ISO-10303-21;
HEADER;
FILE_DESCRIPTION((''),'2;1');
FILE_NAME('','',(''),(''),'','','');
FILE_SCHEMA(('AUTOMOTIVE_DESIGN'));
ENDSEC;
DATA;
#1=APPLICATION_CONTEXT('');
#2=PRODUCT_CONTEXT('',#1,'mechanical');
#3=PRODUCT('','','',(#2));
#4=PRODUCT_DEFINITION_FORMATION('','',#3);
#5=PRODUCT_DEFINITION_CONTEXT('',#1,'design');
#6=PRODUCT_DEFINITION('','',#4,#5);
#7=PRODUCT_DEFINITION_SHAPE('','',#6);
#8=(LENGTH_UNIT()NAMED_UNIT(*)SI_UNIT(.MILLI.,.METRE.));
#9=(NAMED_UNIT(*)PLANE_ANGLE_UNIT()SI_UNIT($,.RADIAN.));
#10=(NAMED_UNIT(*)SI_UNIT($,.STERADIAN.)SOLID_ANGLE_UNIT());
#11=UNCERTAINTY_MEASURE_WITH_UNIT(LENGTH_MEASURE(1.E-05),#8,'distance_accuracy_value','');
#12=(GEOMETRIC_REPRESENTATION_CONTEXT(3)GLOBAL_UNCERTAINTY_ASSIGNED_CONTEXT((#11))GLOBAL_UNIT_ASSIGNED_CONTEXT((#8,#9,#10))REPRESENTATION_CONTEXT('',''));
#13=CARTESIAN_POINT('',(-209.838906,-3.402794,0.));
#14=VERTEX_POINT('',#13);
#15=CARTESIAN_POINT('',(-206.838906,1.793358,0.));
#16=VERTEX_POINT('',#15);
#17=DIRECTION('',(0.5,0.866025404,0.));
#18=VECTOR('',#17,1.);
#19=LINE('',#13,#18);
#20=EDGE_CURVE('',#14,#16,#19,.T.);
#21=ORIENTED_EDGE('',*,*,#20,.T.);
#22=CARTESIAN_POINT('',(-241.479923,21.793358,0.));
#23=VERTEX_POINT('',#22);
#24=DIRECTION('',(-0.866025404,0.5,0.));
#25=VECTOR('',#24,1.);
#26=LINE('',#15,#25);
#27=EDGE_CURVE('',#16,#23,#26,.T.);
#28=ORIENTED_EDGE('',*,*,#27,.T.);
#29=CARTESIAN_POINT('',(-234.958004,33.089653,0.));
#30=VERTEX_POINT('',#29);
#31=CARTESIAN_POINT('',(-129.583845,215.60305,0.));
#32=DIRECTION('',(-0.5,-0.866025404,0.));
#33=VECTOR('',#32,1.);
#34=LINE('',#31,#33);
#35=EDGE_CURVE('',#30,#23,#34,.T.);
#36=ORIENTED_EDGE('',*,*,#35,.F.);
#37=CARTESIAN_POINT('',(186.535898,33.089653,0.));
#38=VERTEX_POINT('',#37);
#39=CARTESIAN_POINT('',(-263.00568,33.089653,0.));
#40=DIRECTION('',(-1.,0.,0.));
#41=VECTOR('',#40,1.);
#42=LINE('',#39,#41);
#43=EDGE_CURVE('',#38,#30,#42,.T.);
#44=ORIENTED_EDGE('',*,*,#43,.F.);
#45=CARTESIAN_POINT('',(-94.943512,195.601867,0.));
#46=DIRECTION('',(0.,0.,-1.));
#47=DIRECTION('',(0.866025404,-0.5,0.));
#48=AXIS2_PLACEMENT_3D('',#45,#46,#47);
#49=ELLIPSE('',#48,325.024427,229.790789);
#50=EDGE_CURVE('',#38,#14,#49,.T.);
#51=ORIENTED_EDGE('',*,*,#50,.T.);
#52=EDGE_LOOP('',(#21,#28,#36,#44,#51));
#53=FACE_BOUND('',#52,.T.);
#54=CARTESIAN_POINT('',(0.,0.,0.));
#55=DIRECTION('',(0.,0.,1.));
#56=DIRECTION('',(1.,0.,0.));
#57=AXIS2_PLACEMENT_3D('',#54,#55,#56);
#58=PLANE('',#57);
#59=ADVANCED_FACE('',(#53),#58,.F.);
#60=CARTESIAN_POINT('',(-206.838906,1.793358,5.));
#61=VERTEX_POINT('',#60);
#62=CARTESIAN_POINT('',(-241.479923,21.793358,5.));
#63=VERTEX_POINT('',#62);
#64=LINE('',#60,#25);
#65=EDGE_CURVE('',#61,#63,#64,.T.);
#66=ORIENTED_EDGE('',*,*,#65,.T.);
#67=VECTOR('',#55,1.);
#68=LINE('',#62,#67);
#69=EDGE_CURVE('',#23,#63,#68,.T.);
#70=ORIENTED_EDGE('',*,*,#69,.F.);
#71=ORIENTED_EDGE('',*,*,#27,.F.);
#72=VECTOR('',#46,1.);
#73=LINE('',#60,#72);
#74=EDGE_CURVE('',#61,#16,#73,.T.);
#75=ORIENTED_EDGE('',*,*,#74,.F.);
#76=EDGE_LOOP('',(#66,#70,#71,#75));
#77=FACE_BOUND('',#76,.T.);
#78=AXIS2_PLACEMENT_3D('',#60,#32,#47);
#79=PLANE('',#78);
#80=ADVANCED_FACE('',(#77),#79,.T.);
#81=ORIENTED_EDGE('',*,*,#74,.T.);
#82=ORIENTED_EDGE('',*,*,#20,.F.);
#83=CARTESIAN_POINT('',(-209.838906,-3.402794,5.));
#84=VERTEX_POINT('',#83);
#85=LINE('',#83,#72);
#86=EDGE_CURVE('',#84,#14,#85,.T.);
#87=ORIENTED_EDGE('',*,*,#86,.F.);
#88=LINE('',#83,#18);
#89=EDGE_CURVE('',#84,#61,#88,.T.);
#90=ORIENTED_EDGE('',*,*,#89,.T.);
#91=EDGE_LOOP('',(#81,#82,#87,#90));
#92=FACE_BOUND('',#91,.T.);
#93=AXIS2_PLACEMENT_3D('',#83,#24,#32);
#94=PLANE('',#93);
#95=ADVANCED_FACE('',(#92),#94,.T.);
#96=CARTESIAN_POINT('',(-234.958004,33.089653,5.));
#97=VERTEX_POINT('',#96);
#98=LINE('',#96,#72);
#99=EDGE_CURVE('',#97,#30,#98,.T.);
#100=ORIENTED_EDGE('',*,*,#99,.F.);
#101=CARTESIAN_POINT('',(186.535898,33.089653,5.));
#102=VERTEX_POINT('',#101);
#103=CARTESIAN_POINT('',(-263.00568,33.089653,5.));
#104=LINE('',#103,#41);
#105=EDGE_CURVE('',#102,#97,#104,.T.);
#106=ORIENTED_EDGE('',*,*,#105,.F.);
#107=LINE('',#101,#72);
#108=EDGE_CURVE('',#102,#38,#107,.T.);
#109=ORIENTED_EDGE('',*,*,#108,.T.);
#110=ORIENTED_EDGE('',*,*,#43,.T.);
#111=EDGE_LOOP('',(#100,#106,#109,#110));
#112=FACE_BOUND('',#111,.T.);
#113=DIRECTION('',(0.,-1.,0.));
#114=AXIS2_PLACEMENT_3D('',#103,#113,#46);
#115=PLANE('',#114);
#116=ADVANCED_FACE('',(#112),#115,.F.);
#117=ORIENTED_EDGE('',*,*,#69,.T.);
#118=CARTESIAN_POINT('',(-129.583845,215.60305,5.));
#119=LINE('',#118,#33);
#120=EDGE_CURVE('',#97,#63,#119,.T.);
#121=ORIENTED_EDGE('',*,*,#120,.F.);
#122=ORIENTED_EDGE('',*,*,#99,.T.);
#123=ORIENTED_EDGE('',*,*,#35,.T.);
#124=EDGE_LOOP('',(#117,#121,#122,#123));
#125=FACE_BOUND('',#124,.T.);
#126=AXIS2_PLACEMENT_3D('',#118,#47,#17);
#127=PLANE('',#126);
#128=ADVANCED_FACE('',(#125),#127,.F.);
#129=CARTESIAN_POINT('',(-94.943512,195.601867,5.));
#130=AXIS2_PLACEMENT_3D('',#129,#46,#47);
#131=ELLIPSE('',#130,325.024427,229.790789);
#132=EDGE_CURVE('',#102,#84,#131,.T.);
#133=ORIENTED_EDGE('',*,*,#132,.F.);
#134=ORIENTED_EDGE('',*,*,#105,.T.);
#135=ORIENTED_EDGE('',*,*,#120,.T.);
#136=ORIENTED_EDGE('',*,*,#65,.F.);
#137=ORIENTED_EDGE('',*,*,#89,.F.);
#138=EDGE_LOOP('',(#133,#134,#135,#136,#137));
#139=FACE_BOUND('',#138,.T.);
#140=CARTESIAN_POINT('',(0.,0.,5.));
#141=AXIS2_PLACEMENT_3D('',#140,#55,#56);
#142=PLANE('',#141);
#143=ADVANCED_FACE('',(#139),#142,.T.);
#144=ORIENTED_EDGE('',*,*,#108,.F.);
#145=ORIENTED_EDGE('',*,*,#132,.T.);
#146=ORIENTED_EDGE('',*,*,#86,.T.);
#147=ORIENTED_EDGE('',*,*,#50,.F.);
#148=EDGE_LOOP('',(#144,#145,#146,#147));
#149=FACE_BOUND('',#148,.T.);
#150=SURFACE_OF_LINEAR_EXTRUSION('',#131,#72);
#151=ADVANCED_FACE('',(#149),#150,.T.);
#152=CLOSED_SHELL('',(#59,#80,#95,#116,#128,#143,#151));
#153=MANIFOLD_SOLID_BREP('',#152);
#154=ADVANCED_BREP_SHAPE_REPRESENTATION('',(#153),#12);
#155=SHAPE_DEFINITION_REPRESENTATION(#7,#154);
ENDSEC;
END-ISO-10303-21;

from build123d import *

# Parameters (mm, degrees)
BOSS_EXTRUDE1_DEPTH = 5
CUT_EXTRUDE2_DEPTH  = 274.862320579
CUT_EXTRUDE3_REACH  = 268.706
SKETCH4_W           = 22.592590208
SKETCH4_H           = 5
CUT_EXTRUDE4_DEPTH  = 251.628305478


with BuildPart() as part:
    # Sketch1 → Boss-Extrude1 (new body)
    with BuildSketch(Plane.XY):
        Polygon((-99.840598923, -66.910346562), (128.800871466, -66.910346562), (186.535898385, 33.089653438), (-263.00567968, 33.089653438), (-265.51567968, 28.742205911), align=None)
    extrude(amount=BOSS_EXTRUDE1_DEPTH)

    # Sketch3 → Cut-Extrude2 (cut, through all)
    with BuildSketch(Plane.XY):
        Polygon((-209.838906471, -3.402794089), (-265.51567968, 28.742205911), (-262.51567968, 33.938358334), (-206.838906471, 1.793358334), align=None)
    extrude(amount=CUT_EXTRUDE2_DEPTH, mode=Mode.SUBTRACT)

    # Sketch4 → Cut-Extrude3 (cut, up to next)
    with BuildSketch(Plane(origin=(-50.93317968, -88.218854997, 0), x_dir=(0.8660254037844388, -0.4999999999999997, 0), z_dir=(-0.49999999999999983, -0.8660254037844389, 0)), mode=Mode.PRIVATE) as cut_extrude3_sk1:
        with Locations((-231.320721766, 2.5)):
            Rectangle(SKETCH4_W, SKETCH4_H)
    cut_extrude3_tool1 = extrude(cut_extrude3_sk1.sketch, amount=-CUT_EXTRUDE3_REACH, mode=Mode.PRIVATE) & part.part
    add(cut_extrude3_tool1.solids().sort_by_distance((-251.262801, 27.441506, 2.5))[0], mode=Mode.SUBTRACT)

    # Sketch5 → Cut-Extrude4 (cut, through all)
    with BuildSketch(Plane.XY):
        with BuildLine():
            Line((-209.838906471, -3.402794089), (71.640503869, -165.91500742))
            Line((71.640503869, -165.91500742), (186.535898385, 33.089653438))
            add(Edge.make_bspline(
                [(-209.838906471, -3.402794089), (71.640503869, -165.91500742), (186.535898385, 33.089653438)],
                knots=[4.71238898, 4.71238898, 4.71238898, 6.283185307, 6.283185307, 6.283185307], degree=2, weights=[1, 0.707106781, 1]))
        make_face()
    extrude(amount=CUT_EXTRUDE4_DEPTH, mode=Mode.SUBTRACT)


solid = part.part
